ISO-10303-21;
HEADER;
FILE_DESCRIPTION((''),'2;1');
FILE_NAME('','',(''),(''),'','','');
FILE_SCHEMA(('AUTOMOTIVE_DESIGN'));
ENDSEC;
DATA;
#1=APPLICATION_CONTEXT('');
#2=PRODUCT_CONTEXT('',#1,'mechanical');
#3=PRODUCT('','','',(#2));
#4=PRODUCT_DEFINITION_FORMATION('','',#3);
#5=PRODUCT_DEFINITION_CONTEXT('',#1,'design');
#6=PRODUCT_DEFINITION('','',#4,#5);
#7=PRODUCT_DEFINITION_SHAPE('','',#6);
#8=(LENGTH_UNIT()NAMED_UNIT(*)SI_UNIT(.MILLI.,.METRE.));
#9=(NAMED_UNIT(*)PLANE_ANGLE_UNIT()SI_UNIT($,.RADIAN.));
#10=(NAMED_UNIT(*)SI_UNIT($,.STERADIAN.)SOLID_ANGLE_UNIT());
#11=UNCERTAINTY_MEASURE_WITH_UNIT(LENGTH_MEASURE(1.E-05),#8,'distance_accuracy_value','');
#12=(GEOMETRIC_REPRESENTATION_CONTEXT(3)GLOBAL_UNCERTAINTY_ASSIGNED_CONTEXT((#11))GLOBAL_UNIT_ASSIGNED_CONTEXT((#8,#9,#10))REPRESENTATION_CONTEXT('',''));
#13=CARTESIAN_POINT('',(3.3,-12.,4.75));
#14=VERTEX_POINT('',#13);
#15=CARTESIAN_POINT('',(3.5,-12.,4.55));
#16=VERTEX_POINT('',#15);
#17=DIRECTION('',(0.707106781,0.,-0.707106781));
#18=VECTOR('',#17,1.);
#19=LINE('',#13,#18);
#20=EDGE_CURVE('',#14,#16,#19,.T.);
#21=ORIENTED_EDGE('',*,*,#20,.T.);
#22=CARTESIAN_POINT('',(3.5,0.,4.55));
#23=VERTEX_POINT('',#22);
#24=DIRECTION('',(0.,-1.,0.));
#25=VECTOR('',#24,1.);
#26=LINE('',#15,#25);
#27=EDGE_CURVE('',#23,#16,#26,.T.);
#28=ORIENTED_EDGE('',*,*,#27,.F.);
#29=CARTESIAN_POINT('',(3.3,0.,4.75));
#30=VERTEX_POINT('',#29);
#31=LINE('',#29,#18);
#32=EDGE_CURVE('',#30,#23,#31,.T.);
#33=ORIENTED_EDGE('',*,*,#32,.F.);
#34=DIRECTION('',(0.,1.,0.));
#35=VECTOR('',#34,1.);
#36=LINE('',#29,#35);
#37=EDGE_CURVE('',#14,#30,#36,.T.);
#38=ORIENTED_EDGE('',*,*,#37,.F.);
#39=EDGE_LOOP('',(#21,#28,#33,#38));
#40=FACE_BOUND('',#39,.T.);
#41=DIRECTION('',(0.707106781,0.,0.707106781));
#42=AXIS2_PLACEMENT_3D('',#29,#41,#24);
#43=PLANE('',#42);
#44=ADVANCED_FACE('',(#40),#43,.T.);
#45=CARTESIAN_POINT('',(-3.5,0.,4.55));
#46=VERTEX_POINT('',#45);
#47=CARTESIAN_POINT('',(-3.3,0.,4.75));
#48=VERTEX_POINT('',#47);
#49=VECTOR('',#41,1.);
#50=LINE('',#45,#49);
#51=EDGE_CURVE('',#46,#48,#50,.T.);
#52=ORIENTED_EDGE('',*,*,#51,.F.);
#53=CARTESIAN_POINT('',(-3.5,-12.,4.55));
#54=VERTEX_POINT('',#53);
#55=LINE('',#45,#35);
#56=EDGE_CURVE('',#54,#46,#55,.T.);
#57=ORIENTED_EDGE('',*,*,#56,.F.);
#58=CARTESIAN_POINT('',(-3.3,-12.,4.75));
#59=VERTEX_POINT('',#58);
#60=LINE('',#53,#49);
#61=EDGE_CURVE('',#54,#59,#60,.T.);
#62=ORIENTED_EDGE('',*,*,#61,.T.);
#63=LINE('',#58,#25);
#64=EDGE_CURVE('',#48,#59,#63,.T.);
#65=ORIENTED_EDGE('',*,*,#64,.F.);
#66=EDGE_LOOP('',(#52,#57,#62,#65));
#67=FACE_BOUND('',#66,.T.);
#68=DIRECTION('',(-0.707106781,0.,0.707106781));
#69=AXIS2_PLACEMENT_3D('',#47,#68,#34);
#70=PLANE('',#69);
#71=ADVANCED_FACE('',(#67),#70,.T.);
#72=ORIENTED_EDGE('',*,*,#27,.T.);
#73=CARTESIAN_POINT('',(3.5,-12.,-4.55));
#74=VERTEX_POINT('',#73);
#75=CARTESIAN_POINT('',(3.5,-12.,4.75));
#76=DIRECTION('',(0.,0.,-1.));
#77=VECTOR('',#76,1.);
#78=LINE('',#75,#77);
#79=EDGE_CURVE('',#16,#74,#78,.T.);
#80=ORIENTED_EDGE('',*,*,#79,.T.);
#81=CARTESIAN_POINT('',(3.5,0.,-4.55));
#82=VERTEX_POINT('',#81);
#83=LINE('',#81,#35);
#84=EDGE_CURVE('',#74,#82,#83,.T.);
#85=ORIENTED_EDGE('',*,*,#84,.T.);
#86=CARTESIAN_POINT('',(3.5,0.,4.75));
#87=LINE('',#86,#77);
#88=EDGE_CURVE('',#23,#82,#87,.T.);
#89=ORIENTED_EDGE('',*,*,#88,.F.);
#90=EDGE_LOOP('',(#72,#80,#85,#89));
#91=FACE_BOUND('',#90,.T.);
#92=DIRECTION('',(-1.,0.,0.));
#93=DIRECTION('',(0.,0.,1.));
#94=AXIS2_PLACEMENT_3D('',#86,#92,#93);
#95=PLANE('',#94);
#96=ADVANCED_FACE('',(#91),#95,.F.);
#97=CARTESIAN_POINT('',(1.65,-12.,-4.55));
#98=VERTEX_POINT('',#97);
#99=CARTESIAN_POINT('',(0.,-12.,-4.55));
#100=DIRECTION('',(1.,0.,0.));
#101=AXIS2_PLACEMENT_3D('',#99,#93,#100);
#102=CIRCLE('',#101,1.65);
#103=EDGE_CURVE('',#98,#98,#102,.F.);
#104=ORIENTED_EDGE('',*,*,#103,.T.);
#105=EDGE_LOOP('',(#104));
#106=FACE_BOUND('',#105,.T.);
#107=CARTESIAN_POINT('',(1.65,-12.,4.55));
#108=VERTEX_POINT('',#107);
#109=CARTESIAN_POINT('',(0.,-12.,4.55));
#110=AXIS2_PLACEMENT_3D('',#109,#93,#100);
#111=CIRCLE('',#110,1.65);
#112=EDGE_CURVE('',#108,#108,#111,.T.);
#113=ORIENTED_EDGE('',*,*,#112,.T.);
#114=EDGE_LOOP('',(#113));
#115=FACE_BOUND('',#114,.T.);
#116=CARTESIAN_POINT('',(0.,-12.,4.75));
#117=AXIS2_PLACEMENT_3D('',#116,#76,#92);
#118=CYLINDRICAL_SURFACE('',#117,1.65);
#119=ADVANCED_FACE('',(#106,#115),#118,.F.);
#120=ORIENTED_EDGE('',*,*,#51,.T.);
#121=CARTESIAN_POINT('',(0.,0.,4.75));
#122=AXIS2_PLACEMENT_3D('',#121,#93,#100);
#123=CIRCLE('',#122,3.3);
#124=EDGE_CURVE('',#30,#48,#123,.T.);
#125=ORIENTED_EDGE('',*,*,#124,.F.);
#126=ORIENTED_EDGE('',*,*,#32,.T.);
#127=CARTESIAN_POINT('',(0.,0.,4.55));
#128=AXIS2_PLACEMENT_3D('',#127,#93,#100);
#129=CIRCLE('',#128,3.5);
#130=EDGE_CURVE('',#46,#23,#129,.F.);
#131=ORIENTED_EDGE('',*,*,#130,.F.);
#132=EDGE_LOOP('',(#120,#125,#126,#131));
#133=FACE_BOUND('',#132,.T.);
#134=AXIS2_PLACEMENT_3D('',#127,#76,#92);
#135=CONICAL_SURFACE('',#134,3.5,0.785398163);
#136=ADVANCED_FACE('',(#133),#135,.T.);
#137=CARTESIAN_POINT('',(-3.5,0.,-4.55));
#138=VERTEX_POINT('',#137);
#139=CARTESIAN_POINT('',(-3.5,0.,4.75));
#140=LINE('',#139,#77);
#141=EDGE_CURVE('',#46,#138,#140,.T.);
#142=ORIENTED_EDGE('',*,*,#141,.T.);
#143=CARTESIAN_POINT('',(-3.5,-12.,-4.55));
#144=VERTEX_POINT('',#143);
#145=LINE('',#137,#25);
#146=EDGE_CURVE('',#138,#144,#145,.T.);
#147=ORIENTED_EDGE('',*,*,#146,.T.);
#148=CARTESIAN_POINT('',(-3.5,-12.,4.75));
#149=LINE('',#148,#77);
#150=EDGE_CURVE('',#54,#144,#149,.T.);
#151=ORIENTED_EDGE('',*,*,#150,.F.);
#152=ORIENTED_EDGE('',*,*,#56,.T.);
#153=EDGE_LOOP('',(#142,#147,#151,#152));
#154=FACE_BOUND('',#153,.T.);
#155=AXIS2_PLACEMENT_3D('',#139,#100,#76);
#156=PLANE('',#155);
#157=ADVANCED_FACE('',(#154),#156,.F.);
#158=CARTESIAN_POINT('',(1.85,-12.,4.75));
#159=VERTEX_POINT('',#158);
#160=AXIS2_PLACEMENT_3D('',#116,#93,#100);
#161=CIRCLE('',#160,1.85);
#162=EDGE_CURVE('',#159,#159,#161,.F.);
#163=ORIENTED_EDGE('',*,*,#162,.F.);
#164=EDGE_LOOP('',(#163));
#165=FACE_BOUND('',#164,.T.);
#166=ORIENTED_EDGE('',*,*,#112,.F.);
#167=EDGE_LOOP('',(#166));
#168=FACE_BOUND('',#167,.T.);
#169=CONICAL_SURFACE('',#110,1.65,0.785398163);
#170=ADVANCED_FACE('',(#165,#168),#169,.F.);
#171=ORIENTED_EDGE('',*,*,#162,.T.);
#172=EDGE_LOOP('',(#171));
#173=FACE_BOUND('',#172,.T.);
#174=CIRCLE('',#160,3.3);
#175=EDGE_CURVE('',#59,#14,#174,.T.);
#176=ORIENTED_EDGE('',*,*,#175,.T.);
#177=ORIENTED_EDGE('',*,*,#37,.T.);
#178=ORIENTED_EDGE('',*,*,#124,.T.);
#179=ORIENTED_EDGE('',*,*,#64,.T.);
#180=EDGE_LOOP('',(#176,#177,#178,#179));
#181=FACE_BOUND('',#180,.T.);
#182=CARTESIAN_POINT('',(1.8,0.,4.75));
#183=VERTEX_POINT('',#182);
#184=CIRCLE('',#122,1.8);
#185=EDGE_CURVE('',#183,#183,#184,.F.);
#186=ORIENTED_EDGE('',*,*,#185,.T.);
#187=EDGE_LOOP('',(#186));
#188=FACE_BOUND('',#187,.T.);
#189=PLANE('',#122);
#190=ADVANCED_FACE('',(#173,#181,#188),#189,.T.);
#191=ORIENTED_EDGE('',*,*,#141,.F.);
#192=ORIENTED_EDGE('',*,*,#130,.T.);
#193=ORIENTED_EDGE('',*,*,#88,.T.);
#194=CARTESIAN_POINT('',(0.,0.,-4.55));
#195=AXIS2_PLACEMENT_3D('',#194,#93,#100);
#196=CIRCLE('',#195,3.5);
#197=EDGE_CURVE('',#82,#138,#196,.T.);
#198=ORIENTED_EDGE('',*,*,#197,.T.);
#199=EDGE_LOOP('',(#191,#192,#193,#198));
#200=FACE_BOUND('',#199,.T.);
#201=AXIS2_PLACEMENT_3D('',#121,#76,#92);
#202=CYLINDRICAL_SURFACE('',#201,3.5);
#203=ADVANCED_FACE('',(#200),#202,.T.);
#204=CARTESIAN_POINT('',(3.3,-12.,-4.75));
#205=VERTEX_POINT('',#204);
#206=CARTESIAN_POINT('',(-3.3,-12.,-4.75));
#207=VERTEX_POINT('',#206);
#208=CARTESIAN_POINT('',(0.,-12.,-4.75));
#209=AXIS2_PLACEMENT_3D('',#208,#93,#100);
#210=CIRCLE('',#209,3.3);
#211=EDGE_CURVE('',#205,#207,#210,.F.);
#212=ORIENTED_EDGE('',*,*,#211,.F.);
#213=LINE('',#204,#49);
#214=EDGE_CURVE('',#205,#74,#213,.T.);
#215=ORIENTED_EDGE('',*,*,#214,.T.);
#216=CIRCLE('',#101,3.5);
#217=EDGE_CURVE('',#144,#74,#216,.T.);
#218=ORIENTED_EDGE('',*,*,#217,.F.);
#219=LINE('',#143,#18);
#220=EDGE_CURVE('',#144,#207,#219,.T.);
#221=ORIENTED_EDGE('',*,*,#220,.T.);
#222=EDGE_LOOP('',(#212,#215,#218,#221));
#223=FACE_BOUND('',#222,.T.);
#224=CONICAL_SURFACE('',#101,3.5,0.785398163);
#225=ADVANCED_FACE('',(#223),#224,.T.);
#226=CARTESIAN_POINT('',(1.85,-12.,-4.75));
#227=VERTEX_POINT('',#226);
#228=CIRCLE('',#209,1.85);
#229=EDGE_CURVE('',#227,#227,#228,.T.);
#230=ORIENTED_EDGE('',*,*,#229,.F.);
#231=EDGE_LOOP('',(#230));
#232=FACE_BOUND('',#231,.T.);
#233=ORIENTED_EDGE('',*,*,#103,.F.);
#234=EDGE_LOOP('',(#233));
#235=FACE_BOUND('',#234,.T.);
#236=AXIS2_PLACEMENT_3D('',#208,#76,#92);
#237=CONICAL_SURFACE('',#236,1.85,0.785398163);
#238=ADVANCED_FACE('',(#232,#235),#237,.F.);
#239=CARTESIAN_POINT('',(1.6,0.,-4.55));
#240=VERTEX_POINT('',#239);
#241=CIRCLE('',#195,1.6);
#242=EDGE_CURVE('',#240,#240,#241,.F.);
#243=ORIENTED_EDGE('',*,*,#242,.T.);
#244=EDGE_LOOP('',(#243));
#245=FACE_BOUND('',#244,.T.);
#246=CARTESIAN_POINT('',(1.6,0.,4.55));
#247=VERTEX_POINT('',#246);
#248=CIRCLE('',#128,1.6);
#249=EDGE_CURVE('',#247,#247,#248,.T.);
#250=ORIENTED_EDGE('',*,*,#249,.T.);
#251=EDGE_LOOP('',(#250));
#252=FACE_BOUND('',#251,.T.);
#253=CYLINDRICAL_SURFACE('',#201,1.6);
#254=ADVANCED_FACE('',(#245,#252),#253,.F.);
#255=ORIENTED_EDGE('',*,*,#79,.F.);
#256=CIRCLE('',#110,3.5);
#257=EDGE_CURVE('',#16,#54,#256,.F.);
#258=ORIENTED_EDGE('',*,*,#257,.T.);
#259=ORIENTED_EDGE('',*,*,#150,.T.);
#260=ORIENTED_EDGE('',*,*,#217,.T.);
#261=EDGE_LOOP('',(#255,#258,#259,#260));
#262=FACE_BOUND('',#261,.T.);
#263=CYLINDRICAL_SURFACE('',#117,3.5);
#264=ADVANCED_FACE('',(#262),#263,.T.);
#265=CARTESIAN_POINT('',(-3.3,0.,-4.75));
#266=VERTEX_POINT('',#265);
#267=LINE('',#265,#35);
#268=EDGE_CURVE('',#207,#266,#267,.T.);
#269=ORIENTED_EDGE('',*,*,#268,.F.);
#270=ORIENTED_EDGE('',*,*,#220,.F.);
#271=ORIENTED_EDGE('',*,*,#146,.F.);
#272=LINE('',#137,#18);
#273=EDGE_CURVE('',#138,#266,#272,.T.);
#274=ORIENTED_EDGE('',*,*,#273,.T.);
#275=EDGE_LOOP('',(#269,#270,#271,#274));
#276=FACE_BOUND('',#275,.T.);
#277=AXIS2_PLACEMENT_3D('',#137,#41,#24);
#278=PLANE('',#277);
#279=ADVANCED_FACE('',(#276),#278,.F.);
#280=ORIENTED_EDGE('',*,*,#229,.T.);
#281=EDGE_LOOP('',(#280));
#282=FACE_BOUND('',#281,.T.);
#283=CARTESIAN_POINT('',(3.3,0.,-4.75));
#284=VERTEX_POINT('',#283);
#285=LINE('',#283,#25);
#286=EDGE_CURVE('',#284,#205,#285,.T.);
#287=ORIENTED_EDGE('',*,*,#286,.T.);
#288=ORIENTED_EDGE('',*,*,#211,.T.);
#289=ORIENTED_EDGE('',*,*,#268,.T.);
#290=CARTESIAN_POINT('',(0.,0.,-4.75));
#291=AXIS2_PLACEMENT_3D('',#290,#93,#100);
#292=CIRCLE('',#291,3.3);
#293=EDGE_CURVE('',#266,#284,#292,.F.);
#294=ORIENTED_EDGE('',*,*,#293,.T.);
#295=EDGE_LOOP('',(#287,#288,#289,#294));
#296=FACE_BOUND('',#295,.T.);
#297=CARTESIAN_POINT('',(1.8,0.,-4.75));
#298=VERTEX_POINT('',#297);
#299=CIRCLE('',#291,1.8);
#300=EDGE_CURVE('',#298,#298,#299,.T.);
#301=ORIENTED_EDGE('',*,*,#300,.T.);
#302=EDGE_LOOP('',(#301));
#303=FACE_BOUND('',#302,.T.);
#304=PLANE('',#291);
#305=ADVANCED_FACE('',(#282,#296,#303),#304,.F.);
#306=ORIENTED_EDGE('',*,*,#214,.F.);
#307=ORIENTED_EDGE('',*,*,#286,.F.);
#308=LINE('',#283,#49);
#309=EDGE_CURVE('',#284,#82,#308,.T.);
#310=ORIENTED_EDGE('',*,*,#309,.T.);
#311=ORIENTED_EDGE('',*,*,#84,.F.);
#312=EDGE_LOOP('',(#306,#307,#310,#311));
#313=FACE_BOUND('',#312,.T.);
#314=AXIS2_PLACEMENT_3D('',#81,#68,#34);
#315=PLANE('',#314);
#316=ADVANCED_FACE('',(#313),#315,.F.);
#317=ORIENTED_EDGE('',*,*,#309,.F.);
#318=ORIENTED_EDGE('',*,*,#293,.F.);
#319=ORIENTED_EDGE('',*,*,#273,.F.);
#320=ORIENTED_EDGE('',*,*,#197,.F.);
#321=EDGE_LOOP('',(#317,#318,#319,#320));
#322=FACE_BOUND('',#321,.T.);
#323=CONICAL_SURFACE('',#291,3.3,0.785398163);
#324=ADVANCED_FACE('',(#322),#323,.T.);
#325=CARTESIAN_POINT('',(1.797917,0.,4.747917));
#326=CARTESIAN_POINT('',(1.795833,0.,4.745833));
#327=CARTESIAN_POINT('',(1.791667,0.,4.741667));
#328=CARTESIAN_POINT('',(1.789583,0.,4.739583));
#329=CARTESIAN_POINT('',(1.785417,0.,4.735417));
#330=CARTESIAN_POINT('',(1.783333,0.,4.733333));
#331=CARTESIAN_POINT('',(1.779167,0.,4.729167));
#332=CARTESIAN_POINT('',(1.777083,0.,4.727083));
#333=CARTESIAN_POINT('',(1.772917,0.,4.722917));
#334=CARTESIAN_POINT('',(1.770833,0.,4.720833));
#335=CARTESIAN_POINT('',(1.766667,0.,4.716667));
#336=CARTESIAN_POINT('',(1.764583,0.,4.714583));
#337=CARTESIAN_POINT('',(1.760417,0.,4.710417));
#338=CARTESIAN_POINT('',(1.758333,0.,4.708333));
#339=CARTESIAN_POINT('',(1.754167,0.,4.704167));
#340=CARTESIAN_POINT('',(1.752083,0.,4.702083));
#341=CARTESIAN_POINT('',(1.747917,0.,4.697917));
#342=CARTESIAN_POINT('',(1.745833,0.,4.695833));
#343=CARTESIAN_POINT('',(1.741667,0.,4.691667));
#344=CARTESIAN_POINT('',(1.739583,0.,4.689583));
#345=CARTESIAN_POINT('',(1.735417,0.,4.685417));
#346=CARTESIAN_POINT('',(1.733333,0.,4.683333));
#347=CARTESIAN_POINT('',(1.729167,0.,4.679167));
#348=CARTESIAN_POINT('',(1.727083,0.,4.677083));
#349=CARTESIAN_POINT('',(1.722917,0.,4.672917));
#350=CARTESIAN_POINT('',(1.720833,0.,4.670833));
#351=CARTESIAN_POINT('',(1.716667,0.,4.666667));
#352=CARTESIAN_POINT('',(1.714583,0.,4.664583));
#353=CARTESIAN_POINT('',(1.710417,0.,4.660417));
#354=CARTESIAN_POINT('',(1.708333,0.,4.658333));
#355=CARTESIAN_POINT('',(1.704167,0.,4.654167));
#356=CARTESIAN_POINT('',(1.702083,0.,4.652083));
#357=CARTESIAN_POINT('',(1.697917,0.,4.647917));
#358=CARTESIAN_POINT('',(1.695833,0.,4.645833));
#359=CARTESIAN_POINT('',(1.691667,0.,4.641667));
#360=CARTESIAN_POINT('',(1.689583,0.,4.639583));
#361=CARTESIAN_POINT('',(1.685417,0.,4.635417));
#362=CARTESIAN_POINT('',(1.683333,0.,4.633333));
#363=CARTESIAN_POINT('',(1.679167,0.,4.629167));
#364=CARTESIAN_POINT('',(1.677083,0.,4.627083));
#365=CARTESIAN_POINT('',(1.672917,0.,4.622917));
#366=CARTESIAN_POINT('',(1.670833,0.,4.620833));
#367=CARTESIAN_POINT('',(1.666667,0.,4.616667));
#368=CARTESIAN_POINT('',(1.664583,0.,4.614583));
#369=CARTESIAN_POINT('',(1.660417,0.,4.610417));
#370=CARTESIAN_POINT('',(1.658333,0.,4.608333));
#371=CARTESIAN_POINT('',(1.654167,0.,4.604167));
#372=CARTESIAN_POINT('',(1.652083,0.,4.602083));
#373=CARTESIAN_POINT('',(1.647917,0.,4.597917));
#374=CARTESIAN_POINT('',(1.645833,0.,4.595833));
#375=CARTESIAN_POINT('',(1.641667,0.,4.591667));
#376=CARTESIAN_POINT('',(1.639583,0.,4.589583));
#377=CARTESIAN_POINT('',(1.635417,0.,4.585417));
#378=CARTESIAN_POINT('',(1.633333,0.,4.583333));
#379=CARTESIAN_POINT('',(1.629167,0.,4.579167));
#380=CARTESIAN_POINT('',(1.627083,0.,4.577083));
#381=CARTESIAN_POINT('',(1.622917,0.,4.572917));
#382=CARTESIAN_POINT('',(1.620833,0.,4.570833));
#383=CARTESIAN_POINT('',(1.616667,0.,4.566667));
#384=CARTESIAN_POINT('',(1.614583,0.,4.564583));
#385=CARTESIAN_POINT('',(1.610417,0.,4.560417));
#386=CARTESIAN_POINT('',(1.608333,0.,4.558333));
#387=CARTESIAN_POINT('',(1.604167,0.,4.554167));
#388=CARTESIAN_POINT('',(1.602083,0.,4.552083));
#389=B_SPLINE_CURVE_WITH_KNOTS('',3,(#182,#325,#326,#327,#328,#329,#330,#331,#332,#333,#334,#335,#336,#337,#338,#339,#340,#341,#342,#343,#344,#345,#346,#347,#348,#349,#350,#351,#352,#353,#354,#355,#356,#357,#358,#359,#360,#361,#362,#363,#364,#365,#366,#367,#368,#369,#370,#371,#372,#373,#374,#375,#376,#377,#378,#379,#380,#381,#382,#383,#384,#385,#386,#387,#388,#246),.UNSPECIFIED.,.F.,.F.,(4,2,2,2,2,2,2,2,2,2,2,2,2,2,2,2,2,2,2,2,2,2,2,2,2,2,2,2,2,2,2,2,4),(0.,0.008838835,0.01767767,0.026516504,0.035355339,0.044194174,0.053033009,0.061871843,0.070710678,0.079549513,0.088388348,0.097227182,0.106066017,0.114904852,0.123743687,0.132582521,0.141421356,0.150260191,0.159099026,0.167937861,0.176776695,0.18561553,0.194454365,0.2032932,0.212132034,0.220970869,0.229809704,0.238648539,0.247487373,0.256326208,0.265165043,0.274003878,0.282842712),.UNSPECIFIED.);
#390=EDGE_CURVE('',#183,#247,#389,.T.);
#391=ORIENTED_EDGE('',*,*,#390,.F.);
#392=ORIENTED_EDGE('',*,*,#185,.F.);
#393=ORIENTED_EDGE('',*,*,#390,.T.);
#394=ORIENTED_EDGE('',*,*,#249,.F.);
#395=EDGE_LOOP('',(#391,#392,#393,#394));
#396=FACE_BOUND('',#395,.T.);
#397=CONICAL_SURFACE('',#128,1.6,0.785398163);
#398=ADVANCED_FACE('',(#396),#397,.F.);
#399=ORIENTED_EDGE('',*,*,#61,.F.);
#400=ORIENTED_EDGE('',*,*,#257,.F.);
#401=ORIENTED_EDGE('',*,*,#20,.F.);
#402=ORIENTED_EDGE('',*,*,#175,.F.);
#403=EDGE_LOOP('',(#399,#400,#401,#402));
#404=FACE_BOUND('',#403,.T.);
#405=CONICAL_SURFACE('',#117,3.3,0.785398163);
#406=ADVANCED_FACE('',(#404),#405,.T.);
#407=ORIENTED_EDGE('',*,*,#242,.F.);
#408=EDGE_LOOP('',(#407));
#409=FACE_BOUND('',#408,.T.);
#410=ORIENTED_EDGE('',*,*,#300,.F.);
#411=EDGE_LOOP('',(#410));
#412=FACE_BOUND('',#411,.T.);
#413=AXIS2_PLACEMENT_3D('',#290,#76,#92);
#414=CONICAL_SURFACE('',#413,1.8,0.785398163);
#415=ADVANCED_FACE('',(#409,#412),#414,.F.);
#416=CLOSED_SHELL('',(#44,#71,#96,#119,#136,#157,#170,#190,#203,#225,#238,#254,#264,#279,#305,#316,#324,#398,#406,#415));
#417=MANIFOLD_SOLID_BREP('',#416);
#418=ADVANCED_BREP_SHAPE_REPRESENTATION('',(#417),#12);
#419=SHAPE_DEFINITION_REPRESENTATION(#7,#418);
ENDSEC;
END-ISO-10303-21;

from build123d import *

# Parameters (mm, degrees)
SKETCH1_R             = 1.6
SKETCH1_R_2           = 1.65
BOSS_EXTRUDE1_DEPTH   = 4.75
DEBURS_NO_SPRING_SIZE = 0.2


with BuildPart() as part:
    # Sketch1 → Boss-Extrude1 (new, symmetric)
    with BuildSketch(Plane.XY):
        with BuildLine():
            Line((-3.5, 0), (-3.5, -12))
            ThreePointArc((-3.5, -12), (0, -15.5), (3.5, -12))
            Line((3.5, -12), (3.5, 0))
            ThreePointArc((3.5, 0), (0, 3.5), (-3.5, 0))
        make_face()
        Circle(SKETCH1_R, mode=Mode.SUBTRACT)
        with Locations((0, -12)):
            Circle(SKETCH1_R_2, mode=Mode.SUBTRACT)
    extrude(amount=BOSS_EXTRUDE1_DEPTH, both=True)

    # Deburs no Spring
    deburs_no_spring_edges = [part.edges().sort_by_distance(p)[0] for p in [
        (-1.65, -12, -4.75),
        (-1.6, 0, -4.75),
        (-1.65, -12, 4.75),
        (-3.5, -6, 4.75),
        (0, -15.5, 4.75),
        (3.5, -6, 4.75),
        (0, 3.5, 4.75),
        (-1.6, 0, 4.75),
        (0, 3.5, -4.75),
        (3.5, -6, -4.75),
        (0, -15.5, -4.75),
        (-3.5, -6, -4.75),
    ]]
    chamfer(deburs_no_spring_edges, length=DEBURS_NO_SPRING_SIZE)


solid = part.part
